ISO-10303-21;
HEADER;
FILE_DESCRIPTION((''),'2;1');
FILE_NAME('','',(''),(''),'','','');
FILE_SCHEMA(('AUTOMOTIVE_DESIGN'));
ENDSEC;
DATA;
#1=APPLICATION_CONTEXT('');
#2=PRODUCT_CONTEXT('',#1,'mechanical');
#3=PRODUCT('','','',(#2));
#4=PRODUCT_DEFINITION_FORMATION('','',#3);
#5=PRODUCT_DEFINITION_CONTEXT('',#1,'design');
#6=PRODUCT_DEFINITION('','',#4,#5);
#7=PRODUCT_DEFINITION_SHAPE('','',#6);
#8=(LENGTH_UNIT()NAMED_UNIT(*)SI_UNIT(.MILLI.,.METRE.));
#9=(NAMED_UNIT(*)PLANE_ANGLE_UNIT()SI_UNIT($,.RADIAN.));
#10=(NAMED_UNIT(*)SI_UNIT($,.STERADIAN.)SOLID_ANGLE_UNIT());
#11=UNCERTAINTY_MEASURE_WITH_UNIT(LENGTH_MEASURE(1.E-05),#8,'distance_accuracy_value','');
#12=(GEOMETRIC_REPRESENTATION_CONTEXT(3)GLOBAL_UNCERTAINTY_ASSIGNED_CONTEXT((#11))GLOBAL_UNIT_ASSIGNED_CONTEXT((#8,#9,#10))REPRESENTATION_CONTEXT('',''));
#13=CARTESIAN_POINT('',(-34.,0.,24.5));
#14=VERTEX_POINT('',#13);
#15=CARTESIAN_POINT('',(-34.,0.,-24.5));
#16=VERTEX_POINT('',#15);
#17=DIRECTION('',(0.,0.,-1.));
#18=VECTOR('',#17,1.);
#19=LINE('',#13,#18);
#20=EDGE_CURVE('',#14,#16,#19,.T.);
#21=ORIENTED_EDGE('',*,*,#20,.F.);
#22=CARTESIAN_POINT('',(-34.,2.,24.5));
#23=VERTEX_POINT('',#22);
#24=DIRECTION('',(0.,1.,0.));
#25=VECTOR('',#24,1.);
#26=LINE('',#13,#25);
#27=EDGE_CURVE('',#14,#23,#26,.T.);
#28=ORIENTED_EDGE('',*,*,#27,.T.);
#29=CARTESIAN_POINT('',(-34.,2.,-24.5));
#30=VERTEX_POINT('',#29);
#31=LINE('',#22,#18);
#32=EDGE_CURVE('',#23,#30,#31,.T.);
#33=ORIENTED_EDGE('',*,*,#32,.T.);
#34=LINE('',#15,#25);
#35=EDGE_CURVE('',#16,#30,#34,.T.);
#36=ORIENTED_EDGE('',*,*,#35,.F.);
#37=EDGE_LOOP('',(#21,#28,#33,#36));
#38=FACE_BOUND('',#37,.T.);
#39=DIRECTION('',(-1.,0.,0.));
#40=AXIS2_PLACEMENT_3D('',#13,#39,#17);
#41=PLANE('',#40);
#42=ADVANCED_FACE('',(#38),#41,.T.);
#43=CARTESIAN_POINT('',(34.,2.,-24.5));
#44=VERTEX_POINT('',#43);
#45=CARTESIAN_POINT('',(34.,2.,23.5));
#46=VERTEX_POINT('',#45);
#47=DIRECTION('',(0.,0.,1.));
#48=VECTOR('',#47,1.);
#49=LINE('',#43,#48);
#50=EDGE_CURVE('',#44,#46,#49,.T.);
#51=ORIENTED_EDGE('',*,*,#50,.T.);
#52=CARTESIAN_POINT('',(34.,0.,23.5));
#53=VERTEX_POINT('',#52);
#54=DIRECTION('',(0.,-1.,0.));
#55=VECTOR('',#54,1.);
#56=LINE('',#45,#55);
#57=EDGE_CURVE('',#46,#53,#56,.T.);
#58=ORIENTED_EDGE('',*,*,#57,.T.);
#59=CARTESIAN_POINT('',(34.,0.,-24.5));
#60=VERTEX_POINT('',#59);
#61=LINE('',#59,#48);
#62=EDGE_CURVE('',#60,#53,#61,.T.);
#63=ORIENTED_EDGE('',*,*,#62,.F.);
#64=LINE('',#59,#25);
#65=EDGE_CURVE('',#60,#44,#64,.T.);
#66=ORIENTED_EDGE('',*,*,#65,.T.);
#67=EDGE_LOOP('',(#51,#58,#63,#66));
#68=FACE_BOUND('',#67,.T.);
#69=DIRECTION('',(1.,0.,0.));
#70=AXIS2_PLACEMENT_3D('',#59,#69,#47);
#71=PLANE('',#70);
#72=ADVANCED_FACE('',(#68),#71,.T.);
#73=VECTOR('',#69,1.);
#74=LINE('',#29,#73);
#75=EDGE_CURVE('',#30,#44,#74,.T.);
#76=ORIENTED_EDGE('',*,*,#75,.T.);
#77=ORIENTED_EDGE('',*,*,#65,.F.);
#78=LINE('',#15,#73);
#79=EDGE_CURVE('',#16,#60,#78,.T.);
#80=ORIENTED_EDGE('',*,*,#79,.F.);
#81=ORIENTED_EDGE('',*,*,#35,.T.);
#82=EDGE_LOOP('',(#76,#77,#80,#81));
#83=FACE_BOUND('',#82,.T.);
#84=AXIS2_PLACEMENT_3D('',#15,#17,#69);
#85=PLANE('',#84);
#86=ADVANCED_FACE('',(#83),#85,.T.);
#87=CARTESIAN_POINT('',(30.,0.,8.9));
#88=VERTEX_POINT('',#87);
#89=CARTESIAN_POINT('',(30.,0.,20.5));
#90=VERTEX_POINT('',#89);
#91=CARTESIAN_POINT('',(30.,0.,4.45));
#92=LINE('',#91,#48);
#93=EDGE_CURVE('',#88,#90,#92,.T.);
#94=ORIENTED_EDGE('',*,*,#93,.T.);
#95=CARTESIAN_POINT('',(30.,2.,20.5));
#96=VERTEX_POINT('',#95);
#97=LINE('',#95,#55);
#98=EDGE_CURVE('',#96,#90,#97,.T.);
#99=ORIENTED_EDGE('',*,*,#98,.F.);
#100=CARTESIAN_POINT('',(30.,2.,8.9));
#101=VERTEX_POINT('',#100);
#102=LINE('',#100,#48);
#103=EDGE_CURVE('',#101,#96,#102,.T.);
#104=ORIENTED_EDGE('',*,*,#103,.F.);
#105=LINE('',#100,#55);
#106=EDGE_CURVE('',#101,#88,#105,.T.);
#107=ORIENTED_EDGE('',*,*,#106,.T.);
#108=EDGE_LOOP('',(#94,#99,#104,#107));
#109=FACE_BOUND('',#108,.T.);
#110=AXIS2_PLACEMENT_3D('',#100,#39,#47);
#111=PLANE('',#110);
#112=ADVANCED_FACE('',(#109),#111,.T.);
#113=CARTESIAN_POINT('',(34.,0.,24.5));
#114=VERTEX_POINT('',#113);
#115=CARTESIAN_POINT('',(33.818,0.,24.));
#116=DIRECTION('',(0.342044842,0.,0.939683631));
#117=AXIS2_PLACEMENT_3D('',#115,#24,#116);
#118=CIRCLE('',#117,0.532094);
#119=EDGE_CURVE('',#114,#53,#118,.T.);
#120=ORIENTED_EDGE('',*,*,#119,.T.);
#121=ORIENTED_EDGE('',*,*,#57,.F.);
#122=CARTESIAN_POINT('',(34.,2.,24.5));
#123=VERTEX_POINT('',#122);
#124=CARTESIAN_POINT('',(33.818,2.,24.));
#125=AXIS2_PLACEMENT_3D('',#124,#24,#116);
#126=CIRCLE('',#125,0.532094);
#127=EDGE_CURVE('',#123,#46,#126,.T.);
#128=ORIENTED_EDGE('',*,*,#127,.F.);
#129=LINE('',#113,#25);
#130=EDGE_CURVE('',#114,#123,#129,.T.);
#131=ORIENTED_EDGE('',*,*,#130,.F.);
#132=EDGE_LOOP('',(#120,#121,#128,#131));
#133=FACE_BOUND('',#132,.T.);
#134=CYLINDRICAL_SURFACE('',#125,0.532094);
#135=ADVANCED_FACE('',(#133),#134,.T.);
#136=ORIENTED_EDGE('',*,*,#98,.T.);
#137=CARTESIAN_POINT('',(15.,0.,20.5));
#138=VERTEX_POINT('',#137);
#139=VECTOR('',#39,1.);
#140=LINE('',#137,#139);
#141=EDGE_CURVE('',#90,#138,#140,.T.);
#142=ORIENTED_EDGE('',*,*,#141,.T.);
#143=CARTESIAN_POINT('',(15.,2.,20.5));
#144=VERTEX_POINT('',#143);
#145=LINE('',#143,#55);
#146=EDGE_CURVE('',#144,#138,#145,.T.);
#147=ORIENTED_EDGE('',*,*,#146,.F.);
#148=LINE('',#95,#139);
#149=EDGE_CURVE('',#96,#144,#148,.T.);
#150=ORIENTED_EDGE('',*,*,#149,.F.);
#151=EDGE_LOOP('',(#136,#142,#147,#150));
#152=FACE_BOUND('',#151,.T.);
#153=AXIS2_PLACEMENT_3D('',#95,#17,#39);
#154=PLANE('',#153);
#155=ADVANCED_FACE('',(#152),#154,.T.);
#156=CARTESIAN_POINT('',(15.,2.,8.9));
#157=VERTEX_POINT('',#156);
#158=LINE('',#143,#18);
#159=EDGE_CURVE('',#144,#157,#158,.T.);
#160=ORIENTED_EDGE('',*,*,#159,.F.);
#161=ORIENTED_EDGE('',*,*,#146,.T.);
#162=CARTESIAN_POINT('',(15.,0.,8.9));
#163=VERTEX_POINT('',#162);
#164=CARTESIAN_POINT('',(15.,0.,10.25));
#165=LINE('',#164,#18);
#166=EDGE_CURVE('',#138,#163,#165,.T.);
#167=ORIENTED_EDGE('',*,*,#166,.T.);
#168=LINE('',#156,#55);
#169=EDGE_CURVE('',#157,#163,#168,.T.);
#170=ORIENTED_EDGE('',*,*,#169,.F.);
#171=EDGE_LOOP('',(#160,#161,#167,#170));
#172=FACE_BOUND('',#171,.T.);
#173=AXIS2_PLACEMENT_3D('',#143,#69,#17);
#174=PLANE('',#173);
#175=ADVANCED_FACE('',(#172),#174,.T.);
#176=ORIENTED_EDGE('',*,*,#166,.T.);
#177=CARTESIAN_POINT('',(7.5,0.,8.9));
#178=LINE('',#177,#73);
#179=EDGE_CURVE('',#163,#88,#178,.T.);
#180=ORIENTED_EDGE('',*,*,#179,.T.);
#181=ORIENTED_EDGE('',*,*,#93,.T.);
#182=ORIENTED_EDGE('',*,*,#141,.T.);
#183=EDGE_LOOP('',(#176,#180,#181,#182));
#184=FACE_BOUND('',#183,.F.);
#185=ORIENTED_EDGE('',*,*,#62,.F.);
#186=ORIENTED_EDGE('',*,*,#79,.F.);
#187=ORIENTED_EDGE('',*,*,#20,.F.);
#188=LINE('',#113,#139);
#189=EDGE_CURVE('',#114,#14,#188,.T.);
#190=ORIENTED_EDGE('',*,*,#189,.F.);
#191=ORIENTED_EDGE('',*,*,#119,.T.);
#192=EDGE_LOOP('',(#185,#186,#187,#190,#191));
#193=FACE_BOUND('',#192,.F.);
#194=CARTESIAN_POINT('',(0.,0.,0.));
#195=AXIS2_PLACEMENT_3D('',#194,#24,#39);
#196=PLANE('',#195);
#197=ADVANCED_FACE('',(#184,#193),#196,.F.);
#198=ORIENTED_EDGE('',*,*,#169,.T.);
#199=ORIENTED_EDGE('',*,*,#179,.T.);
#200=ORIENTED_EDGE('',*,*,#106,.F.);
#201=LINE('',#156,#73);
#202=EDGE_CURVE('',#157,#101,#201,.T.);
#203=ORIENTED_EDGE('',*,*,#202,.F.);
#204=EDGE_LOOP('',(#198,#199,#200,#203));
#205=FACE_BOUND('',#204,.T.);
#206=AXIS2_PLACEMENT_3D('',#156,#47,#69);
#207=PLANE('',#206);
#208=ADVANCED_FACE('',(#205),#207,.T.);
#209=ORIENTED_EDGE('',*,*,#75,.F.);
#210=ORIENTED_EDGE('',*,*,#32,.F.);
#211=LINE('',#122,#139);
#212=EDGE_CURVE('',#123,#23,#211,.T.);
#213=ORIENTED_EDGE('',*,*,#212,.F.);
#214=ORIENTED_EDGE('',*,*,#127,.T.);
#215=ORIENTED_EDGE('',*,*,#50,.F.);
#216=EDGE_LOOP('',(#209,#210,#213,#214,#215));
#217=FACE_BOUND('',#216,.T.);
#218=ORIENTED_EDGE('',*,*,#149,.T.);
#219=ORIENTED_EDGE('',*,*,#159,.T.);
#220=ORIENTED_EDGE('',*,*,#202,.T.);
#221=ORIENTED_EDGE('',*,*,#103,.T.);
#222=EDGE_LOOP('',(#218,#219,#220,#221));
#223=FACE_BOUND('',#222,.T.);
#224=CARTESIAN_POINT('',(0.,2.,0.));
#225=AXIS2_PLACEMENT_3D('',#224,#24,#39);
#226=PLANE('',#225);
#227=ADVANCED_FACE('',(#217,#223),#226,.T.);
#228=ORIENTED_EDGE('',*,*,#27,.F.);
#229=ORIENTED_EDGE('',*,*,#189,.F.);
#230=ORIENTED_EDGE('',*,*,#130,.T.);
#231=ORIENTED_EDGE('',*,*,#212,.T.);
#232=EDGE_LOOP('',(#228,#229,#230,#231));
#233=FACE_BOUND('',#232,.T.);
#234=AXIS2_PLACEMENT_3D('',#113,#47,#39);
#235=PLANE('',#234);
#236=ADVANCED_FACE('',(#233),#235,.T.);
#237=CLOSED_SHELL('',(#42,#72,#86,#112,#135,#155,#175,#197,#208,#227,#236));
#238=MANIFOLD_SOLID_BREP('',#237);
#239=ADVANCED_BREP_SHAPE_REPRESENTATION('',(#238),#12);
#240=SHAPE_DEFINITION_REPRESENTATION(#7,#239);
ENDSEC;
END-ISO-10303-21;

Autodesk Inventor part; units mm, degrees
ref_plane "YZ Plane" through (0, 0, 0) normal (1, 0, 0) x (0, 1, 0)
ref_plane "XZ Plane" through (0, 0, 0) normal (0, 1, 0) x (-1, 0, 0)
ref_plane "XY Plane" through (0, 0, 0) normal (0, 0, 1) x (1, 0, 0)
sketch "Sketch1" plane through (0, 0, 0) normal (0, 1, 0) x (-1, 0, 0)
  line L0 (-34, 24.5) -> (34, 24.5)
  line L1 (34, 24.5) -> (34, -24.5)
  line L2 (34, -24.5) -> (-34, -24.5)
  line L3 (-34, -24.5) -> (-34, 24.5)
  line L4 (-34, 24.5) -> (34, -24.5) construction
  line L5 (34, 24.5) -> (-34, -24.5) construction
  point P0 (0, 0)
  dimension "d0" = 49
  dimension "d1" = 68
extrude "Extrusion1" add sketch "Sketch1" along normal blind 2
sketch "Sketch3" plane through (0, 2, 0) normal (0, 1, 0) x (1, 0, 0)
  line L0 (-34, -24.5) -> (34, -24.5) projected
  line L1 (34, -24.5) -> (34, 24.5) projected
  arc A0 (34, -24.5) -> (34, -23.5) centre (33.818, -24) ccw
  point P0 (0, 0)
  dimension "d6" = 1
  dimension "d9" = 140
extrude "Extrusion2" add sketch "Sketch3" against normal blind 2
sketch "Sketch4" plane through (0, 2, 0) normal (0, 1, 0) x (1, 0, 0)
  line L0 (15, -8.9) -> (30, -8.9)
  line L1 (30, -8.9) -> (30, -20.5)
  line L2 (30, -20.5) -> (15, -20.5)
  line L3 (15, -20.5) -> (15, -8.9)
  line L4 (15, -8.9) -> (30, -20.5) construction
  line L5 (30, -8.9) -> (15, -20.5) construction
  line L6 (34, -23.5) -> (34, 24.5) projected
  line L7 (-34, -24.5) -> (34, -24.5) projected
  point P0 (0, 0)
  point P1 (22.5, -14.7)
  dimension "d12" = 15
  dimension "d13" = 11.6
  dimension "d14" = 4
  dimension "d15" = 4
extrude "Extrusion3" cut sketch "Sketch4" against normal blind 10
properties part number "side_lid_yes_hole_3DPrint"
